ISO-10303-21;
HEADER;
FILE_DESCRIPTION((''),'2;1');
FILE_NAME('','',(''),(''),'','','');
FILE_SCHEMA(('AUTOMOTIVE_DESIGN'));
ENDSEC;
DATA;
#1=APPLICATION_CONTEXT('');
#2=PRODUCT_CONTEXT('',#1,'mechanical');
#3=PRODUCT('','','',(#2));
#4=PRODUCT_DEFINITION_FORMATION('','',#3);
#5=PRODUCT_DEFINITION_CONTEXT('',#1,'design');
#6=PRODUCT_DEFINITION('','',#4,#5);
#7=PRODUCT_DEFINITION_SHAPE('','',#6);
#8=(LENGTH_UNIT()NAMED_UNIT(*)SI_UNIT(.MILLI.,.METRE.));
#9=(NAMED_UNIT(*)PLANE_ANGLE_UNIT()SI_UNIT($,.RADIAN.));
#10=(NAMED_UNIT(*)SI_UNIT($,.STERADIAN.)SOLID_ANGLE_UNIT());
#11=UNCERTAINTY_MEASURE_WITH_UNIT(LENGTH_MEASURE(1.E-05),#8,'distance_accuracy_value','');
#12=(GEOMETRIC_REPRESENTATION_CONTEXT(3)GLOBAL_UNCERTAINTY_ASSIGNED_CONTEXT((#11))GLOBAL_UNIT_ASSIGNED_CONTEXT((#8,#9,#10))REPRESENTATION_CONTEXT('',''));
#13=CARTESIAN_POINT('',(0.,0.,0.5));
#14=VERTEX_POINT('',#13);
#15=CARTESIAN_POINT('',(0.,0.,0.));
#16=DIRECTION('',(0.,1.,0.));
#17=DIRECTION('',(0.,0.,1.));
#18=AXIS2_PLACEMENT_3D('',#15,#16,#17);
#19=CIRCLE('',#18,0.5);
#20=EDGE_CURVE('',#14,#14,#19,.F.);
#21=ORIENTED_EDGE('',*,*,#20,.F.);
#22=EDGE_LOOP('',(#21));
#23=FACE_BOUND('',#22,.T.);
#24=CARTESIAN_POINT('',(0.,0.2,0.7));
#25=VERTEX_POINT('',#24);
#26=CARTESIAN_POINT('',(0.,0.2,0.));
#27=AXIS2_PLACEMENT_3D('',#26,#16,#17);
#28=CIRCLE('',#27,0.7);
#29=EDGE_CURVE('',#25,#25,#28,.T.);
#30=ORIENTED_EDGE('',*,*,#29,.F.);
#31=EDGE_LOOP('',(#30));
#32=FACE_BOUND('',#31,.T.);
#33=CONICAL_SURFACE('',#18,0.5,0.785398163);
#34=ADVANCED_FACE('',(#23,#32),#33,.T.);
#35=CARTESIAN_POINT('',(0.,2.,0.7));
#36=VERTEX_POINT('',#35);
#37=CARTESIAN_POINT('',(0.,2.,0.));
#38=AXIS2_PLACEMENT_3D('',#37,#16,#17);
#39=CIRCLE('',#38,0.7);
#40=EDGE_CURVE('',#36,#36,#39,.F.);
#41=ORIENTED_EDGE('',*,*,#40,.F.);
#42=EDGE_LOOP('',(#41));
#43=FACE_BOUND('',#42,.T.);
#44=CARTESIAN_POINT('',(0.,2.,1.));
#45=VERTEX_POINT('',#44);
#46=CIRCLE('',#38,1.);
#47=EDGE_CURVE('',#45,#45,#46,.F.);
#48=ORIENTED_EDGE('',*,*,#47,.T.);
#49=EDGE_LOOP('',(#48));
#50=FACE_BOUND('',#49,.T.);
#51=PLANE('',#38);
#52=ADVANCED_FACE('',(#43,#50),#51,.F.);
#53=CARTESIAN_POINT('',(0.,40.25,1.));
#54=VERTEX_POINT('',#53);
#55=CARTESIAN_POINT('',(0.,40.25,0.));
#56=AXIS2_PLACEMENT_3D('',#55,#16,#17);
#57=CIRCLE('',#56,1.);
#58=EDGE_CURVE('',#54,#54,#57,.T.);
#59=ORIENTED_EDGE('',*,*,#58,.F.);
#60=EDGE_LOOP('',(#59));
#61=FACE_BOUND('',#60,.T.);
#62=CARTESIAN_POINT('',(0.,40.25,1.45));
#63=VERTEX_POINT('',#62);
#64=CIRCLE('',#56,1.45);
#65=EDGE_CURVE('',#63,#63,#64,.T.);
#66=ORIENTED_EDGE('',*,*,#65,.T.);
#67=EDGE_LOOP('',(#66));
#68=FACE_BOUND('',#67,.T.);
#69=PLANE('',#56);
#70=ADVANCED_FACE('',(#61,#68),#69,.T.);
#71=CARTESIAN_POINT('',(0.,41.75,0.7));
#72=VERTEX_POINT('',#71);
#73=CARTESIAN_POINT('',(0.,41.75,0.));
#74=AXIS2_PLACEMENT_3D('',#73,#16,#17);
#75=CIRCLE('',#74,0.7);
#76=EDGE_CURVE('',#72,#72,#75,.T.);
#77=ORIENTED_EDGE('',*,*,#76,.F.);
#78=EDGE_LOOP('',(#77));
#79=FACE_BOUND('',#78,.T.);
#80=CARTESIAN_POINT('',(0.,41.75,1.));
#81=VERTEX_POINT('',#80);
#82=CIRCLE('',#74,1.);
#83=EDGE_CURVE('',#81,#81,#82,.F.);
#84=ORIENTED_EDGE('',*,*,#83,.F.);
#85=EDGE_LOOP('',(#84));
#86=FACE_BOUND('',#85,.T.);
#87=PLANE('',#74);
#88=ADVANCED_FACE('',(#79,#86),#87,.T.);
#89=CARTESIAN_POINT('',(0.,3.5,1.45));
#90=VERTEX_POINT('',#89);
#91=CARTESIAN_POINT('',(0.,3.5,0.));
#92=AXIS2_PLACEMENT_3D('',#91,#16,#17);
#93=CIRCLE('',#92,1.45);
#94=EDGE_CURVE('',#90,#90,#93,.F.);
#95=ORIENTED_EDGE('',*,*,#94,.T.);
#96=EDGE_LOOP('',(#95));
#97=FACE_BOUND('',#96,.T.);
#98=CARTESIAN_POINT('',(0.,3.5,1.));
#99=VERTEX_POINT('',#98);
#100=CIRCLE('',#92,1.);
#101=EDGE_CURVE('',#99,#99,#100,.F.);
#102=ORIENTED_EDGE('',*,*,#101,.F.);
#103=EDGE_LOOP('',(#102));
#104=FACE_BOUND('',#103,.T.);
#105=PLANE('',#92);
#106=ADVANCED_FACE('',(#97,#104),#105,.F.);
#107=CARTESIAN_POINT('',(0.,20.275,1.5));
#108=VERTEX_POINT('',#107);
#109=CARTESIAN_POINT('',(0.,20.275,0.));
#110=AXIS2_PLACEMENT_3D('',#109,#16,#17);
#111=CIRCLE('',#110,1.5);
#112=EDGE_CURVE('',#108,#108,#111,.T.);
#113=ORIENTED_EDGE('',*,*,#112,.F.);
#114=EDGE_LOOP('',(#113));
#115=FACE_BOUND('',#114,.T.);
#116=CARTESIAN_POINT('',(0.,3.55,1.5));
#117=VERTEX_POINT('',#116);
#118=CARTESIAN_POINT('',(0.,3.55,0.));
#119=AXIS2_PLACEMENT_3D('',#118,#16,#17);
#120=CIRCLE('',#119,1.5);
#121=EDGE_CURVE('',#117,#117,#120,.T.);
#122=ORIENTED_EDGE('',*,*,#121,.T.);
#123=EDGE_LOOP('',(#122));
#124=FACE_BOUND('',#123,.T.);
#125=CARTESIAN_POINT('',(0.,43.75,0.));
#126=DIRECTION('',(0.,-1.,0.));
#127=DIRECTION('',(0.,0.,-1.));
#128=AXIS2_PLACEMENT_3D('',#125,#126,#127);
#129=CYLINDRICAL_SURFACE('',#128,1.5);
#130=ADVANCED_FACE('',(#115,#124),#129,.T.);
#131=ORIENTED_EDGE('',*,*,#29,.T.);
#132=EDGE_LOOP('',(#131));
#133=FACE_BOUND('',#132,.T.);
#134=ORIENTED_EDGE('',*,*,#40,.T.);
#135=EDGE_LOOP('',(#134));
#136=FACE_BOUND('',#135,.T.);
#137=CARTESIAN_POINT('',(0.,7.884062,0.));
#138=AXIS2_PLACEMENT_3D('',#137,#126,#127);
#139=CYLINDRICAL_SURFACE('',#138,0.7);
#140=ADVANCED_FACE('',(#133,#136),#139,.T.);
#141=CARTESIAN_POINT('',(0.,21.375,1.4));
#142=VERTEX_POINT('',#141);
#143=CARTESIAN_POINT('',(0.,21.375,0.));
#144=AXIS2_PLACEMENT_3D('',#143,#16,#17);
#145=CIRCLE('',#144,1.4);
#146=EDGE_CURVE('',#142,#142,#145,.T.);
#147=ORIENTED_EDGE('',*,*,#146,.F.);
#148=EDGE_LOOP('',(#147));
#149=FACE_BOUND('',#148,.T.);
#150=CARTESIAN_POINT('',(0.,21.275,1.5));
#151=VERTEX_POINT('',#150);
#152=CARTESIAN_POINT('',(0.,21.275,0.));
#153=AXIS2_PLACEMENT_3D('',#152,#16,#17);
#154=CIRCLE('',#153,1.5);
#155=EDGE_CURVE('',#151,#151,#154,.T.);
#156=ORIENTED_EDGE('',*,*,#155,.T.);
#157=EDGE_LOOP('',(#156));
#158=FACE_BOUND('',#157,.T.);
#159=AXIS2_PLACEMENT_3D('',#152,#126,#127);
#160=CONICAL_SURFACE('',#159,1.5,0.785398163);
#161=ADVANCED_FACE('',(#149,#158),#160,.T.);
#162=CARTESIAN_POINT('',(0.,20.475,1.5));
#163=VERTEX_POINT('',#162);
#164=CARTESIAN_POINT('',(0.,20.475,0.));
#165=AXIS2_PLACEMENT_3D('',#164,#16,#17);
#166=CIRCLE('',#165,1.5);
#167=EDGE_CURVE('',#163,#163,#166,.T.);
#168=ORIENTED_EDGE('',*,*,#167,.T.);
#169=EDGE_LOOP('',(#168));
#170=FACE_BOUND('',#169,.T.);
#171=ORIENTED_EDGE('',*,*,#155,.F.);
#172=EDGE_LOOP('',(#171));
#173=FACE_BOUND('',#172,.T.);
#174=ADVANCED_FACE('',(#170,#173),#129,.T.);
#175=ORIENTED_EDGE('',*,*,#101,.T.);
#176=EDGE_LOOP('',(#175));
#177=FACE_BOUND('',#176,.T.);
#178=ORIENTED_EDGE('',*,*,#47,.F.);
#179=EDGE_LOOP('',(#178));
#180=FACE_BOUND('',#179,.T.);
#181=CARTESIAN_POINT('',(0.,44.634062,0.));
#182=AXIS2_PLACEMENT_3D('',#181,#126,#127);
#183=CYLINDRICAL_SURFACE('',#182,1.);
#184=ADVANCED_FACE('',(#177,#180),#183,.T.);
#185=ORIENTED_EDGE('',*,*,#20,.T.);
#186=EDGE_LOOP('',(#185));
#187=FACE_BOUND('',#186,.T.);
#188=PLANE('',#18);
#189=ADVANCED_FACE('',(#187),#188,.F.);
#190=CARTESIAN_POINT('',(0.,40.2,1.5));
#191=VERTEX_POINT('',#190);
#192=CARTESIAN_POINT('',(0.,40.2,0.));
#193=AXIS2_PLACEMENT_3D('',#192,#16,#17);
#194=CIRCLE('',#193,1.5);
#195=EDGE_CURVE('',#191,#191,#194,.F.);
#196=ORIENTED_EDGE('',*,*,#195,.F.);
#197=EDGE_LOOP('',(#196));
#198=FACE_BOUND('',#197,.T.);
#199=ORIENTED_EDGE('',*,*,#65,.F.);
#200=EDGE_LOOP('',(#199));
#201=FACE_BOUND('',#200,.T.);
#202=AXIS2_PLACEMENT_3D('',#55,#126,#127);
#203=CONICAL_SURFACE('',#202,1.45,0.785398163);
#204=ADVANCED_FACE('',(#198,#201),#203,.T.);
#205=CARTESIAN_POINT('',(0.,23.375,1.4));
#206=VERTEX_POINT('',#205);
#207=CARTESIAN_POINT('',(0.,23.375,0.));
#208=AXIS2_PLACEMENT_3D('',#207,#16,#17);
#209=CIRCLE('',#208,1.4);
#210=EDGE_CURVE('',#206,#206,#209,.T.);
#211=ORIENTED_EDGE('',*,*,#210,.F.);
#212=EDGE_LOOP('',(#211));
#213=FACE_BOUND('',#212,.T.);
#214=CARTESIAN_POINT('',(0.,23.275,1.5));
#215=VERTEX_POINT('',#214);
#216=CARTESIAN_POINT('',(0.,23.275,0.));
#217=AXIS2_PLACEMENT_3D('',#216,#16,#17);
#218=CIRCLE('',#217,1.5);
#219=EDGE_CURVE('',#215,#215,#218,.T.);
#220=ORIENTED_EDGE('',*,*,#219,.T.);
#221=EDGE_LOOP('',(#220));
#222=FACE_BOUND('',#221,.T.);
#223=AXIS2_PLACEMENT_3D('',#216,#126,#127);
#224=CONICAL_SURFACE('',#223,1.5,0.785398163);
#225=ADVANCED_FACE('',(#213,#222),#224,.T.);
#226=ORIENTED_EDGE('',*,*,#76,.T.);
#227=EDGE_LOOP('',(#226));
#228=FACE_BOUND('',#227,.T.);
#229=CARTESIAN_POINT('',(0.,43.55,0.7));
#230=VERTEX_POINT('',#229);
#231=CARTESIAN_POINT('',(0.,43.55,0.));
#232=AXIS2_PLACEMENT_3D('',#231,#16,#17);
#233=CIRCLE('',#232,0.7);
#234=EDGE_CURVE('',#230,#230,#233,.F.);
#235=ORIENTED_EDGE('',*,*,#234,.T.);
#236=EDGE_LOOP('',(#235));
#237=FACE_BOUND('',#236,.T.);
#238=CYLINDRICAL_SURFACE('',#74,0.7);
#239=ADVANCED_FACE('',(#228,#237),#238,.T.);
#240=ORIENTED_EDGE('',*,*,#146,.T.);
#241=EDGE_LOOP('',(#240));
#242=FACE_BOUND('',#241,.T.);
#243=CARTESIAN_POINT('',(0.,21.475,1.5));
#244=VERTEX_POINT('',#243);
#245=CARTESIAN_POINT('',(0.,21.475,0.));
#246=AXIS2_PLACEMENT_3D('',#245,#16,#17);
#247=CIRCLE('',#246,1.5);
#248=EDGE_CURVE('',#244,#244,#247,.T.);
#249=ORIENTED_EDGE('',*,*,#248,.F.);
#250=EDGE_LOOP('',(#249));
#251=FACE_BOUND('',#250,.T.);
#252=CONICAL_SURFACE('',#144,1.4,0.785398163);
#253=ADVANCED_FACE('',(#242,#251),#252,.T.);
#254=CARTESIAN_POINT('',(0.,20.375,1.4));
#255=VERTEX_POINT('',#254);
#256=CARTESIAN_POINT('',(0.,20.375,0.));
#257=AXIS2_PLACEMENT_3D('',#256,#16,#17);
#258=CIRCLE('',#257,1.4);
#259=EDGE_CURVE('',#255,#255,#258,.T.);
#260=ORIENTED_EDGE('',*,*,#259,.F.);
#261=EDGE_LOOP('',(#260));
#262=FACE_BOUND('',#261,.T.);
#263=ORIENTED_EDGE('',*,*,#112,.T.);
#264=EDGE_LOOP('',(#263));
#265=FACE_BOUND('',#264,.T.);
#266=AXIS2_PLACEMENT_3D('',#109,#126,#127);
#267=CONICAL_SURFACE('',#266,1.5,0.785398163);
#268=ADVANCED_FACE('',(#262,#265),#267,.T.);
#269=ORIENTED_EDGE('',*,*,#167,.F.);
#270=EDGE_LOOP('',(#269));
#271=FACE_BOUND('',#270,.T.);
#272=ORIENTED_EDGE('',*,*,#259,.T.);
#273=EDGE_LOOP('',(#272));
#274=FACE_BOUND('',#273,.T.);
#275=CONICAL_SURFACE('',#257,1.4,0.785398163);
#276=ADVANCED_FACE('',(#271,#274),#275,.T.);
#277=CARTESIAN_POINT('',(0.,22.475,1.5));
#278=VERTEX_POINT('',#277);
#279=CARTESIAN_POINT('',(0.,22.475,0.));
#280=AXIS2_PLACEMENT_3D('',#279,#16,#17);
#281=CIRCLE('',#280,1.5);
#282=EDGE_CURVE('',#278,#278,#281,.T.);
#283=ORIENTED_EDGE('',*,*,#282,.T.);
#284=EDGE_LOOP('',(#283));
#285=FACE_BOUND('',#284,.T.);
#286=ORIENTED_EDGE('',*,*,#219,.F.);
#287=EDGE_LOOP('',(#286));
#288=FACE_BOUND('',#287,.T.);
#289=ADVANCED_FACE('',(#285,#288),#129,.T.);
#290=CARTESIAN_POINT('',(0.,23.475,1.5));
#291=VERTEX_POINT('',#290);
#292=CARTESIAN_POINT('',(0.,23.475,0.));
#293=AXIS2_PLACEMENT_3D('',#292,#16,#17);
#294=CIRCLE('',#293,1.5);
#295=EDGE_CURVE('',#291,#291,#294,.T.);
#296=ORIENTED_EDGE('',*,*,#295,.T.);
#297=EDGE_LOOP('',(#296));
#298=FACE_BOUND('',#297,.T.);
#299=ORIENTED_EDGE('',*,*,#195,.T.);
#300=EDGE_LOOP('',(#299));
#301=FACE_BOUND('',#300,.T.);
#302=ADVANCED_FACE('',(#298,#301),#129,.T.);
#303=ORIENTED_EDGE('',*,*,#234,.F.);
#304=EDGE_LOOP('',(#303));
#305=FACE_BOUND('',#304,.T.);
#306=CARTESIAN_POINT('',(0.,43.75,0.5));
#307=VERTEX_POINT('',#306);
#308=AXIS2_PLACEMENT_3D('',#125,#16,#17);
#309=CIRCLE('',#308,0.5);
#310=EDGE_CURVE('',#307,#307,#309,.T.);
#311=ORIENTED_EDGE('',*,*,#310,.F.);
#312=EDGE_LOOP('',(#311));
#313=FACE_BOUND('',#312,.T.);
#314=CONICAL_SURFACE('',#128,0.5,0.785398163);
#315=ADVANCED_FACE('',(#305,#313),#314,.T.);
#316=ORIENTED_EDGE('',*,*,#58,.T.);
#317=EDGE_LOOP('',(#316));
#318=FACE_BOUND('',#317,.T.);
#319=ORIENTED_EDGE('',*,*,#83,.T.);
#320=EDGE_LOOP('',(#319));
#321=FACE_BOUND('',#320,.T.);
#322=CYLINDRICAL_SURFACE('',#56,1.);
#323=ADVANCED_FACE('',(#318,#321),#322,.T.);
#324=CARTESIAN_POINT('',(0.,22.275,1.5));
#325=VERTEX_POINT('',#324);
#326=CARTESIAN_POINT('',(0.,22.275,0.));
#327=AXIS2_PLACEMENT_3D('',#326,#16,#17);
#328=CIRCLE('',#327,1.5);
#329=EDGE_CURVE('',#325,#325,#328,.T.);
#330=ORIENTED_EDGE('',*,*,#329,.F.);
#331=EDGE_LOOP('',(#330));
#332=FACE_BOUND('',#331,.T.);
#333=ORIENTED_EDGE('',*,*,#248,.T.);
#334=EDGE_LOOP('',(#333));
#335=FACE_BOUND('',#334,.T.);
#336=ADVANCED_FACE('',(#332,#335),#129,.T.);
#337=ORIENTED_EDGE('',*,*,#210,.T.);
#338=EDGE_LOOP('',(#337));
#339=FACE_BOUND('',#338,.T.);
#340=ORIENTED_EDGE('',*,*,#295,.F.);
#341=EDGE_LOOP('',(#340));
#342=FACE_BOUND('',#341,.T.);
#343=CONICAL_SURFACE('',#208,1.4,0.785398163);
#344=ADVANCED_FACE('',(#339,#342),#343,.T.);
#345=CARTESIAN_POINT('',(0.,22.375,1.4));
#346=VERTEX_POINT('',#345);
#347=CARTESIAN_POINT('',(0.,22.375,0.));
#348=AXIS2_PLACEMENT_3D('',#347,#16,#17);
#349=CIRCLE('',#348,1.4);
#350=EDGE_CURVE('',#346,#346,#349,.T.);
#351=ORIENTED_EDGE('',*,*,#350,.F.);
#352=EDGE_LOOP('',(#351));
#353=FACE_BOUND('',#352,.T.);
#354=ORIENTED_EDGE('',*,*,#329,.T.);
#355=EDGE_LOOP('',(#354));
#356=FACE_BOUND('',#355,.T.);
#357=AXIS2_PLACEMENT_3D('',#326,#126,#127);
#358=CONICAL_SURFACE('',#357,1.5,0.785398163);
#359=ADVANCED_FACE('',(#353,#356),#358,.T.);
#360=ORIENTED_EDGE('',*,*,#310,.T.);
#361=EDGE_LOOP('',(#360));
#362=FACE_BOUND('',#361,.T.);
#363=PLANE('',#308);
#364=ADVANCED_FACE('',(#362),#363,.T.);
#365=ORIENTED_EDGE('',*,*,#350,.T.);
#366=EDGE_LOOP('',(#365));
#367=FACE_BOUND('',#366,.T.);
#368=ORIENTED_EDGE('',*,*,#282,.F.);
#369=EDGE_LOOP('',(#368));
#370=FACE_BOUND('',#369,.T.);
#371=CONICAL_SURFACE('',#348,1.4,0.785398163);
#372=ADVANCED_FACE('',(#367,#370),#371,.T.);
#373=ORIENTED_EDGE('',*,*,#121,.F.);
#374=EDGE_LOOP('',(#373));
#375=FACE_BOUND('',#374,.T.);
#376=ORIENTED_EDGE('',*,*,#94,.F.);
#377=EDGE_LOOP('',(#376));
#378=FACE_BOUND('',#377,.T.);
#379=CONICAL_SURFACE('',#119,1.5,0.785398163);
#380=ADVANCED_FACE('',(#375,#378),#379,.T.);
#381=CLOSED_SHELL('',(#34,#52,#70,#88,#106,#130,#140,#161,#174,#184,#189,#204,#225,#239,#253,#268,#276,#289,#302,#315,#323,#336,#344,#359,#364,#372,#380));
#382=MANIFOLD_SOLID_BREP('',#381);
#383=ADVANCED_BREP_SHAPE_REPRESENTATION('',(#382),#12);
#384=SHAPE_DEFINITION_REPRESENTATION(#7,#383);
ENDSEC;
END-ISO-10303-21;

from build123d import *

# Parameters (mm, degrees)
SKETCH1_R           = 1.5
BOSS_EXTRUDE1_DEPTH = 43.75
SKETCH2_OUTSIDE_W   = 13.792
SKETCH2_OUTSIDE_H   = 13.792
SKETCH2_OUTSIDE_R   = 1
CUT_EXTRUDE1_DEPTH  = 3.5
SKETCH3_OUTSIDE_W   = 13.792
SKETCH3_OUTSIDE_H   = 13.792
SKETCH3_OUTSIDE_R   = 0.7
CUT_EXTRUDE2_DEPTH  = 2
SKETCH4_OUTSIDE_W   = 13.792
SKETCH4_OUTSIDE_H   = 13.792
SKETCH4_OUTSIDE_R   = 1
CUT_EXTRUDE5_DEPTH  = 3.5
SKETCH5_OUTSIDE_W   = 13.792
SKETCH5_OUTSIDE_H   = 13.792
SKETCH5_OUTSIDE_R   = 0.7
CUT_EXTRUDE6_DEPTH  = 2
LPATTERN1_COUNT     = 4
LPATTERN1_PITCH     = 1
CHAMFER3_SIZE       = 0.2
CHAMFER4_SIZE       = 0.05


with BuildPart() as part:
    # Sketch1 → Boss-Extrude1 (new body)
    with BuildSketch(Plane(origin=(0, 0, 0), x_dir=(1, 0, 0), z_dir=(0, 1, 0))):
        Circle(SKETCH1_R)
    extrude(amount=BOSS_EXTRUDE1_DEPTH)

    # Sketch2 outside → Cut-Extrude1 (cut)
    with BuildSketch(Plane(origin=(0, 43.75, 0), x_dir=(1, 0, 0), z_dir=(0, 1, 0))):
        Rectangle(SKETCH2_OUTSIDE_W, SKETCH2_OUTSIDE_H)
        Circle(SKETCH2_OUTSIDE_R, mode=Mode.SUBTRACT)
    extrude(amount=-CUT_EXTRUDE1_DEPTH, mode=Mode.SUBTRACT)

    # Sketch3 outside → Cut-Extrude2 (cut)
    with BuildSketch(Plane(origin=(0, 43.75, 0), x_dir=(1, 0, 0), z_dir=(0, 1, 0))):
        Rectangle(SKETCH3_OUTSIDE_W, SKETCH3_OUTSIDE_H)
        Circle(SKETCH3_OUTSIDE_R, mode=Mode.SUBTRACT)
    extrude(amount=-CUT_EXTRUDE2_DEPTH, mode=Mode.SUBTRACT)

    # Sketch4 outside → Cut-Extrude5 (cut)
    with BuildSketch(Plane.XZ):
        Rectangle(SKETCH4_OUTSIDE_W, SKETCH4_OUTSIDE_H)
        Circle(SKETCH4_OUTSIDE_R, mode=Mode.SUBTRACT)
    extrude(amount=-CUT_EXTRUDE5_DEPTH, mode=Mode.SUBTRACT)

    # Sketch5 outside → Cut-Extrude6 (cut)
    with BuildSketch(Plane.XZ):
        Rectangle(SKETCH5_OUTSIDE_W, SKETCH5_OUTSIDE_H)
        Circle(SKETCH5_OUTSIDE_R, mode=Mode.SUBTRACT)
    extrude(amount=-CUT_EXTRUDE6_DEPTH, mode=Mode.SUBTRACT)

    # Sketch6 → Cut-Revolve1 (revolve, cut)
    with BuildSketch(Plane.XY):
        Polygon((-1.5, 23.475), (-1.4, 23.375), (-1.5, 23.275), align=None)
    cut_revolve1 = revolve(axis=Axis((0, 43.75, 0), (0, -1, 0)), mode=Mode.SUBTRACT)

    # LPattern1: Cut-Revolve1 ×4
    with Locations(*[(0, -i * LPATTERN1_PITCH, 0) for i in range(1, LPATTERN1_COUNT)]):
        add(cut_revolve1, mode=Mode.SUBTRACT)

    # Chamfer3
    chamfer3_edges = [part.edges().sort_by_distance(p)[0] for p in [
        (-0.7, 43.75, 0),
        (-0.7, 0, 0),
    ]]
    chamfer(chamfer3_edges, length=CHAMFER3_SIZE)

    # Chamfer4
    chamfer4_edges = [part.edges().sort_by_distance(p)[0] for p in [
        (-1.5, 3.5, 0),
        (-1.5, 40.25, 0),
    ]]
    chamfer(chamfer4_edges, length=CHAMFER4_SIZE)


solid = part.part
